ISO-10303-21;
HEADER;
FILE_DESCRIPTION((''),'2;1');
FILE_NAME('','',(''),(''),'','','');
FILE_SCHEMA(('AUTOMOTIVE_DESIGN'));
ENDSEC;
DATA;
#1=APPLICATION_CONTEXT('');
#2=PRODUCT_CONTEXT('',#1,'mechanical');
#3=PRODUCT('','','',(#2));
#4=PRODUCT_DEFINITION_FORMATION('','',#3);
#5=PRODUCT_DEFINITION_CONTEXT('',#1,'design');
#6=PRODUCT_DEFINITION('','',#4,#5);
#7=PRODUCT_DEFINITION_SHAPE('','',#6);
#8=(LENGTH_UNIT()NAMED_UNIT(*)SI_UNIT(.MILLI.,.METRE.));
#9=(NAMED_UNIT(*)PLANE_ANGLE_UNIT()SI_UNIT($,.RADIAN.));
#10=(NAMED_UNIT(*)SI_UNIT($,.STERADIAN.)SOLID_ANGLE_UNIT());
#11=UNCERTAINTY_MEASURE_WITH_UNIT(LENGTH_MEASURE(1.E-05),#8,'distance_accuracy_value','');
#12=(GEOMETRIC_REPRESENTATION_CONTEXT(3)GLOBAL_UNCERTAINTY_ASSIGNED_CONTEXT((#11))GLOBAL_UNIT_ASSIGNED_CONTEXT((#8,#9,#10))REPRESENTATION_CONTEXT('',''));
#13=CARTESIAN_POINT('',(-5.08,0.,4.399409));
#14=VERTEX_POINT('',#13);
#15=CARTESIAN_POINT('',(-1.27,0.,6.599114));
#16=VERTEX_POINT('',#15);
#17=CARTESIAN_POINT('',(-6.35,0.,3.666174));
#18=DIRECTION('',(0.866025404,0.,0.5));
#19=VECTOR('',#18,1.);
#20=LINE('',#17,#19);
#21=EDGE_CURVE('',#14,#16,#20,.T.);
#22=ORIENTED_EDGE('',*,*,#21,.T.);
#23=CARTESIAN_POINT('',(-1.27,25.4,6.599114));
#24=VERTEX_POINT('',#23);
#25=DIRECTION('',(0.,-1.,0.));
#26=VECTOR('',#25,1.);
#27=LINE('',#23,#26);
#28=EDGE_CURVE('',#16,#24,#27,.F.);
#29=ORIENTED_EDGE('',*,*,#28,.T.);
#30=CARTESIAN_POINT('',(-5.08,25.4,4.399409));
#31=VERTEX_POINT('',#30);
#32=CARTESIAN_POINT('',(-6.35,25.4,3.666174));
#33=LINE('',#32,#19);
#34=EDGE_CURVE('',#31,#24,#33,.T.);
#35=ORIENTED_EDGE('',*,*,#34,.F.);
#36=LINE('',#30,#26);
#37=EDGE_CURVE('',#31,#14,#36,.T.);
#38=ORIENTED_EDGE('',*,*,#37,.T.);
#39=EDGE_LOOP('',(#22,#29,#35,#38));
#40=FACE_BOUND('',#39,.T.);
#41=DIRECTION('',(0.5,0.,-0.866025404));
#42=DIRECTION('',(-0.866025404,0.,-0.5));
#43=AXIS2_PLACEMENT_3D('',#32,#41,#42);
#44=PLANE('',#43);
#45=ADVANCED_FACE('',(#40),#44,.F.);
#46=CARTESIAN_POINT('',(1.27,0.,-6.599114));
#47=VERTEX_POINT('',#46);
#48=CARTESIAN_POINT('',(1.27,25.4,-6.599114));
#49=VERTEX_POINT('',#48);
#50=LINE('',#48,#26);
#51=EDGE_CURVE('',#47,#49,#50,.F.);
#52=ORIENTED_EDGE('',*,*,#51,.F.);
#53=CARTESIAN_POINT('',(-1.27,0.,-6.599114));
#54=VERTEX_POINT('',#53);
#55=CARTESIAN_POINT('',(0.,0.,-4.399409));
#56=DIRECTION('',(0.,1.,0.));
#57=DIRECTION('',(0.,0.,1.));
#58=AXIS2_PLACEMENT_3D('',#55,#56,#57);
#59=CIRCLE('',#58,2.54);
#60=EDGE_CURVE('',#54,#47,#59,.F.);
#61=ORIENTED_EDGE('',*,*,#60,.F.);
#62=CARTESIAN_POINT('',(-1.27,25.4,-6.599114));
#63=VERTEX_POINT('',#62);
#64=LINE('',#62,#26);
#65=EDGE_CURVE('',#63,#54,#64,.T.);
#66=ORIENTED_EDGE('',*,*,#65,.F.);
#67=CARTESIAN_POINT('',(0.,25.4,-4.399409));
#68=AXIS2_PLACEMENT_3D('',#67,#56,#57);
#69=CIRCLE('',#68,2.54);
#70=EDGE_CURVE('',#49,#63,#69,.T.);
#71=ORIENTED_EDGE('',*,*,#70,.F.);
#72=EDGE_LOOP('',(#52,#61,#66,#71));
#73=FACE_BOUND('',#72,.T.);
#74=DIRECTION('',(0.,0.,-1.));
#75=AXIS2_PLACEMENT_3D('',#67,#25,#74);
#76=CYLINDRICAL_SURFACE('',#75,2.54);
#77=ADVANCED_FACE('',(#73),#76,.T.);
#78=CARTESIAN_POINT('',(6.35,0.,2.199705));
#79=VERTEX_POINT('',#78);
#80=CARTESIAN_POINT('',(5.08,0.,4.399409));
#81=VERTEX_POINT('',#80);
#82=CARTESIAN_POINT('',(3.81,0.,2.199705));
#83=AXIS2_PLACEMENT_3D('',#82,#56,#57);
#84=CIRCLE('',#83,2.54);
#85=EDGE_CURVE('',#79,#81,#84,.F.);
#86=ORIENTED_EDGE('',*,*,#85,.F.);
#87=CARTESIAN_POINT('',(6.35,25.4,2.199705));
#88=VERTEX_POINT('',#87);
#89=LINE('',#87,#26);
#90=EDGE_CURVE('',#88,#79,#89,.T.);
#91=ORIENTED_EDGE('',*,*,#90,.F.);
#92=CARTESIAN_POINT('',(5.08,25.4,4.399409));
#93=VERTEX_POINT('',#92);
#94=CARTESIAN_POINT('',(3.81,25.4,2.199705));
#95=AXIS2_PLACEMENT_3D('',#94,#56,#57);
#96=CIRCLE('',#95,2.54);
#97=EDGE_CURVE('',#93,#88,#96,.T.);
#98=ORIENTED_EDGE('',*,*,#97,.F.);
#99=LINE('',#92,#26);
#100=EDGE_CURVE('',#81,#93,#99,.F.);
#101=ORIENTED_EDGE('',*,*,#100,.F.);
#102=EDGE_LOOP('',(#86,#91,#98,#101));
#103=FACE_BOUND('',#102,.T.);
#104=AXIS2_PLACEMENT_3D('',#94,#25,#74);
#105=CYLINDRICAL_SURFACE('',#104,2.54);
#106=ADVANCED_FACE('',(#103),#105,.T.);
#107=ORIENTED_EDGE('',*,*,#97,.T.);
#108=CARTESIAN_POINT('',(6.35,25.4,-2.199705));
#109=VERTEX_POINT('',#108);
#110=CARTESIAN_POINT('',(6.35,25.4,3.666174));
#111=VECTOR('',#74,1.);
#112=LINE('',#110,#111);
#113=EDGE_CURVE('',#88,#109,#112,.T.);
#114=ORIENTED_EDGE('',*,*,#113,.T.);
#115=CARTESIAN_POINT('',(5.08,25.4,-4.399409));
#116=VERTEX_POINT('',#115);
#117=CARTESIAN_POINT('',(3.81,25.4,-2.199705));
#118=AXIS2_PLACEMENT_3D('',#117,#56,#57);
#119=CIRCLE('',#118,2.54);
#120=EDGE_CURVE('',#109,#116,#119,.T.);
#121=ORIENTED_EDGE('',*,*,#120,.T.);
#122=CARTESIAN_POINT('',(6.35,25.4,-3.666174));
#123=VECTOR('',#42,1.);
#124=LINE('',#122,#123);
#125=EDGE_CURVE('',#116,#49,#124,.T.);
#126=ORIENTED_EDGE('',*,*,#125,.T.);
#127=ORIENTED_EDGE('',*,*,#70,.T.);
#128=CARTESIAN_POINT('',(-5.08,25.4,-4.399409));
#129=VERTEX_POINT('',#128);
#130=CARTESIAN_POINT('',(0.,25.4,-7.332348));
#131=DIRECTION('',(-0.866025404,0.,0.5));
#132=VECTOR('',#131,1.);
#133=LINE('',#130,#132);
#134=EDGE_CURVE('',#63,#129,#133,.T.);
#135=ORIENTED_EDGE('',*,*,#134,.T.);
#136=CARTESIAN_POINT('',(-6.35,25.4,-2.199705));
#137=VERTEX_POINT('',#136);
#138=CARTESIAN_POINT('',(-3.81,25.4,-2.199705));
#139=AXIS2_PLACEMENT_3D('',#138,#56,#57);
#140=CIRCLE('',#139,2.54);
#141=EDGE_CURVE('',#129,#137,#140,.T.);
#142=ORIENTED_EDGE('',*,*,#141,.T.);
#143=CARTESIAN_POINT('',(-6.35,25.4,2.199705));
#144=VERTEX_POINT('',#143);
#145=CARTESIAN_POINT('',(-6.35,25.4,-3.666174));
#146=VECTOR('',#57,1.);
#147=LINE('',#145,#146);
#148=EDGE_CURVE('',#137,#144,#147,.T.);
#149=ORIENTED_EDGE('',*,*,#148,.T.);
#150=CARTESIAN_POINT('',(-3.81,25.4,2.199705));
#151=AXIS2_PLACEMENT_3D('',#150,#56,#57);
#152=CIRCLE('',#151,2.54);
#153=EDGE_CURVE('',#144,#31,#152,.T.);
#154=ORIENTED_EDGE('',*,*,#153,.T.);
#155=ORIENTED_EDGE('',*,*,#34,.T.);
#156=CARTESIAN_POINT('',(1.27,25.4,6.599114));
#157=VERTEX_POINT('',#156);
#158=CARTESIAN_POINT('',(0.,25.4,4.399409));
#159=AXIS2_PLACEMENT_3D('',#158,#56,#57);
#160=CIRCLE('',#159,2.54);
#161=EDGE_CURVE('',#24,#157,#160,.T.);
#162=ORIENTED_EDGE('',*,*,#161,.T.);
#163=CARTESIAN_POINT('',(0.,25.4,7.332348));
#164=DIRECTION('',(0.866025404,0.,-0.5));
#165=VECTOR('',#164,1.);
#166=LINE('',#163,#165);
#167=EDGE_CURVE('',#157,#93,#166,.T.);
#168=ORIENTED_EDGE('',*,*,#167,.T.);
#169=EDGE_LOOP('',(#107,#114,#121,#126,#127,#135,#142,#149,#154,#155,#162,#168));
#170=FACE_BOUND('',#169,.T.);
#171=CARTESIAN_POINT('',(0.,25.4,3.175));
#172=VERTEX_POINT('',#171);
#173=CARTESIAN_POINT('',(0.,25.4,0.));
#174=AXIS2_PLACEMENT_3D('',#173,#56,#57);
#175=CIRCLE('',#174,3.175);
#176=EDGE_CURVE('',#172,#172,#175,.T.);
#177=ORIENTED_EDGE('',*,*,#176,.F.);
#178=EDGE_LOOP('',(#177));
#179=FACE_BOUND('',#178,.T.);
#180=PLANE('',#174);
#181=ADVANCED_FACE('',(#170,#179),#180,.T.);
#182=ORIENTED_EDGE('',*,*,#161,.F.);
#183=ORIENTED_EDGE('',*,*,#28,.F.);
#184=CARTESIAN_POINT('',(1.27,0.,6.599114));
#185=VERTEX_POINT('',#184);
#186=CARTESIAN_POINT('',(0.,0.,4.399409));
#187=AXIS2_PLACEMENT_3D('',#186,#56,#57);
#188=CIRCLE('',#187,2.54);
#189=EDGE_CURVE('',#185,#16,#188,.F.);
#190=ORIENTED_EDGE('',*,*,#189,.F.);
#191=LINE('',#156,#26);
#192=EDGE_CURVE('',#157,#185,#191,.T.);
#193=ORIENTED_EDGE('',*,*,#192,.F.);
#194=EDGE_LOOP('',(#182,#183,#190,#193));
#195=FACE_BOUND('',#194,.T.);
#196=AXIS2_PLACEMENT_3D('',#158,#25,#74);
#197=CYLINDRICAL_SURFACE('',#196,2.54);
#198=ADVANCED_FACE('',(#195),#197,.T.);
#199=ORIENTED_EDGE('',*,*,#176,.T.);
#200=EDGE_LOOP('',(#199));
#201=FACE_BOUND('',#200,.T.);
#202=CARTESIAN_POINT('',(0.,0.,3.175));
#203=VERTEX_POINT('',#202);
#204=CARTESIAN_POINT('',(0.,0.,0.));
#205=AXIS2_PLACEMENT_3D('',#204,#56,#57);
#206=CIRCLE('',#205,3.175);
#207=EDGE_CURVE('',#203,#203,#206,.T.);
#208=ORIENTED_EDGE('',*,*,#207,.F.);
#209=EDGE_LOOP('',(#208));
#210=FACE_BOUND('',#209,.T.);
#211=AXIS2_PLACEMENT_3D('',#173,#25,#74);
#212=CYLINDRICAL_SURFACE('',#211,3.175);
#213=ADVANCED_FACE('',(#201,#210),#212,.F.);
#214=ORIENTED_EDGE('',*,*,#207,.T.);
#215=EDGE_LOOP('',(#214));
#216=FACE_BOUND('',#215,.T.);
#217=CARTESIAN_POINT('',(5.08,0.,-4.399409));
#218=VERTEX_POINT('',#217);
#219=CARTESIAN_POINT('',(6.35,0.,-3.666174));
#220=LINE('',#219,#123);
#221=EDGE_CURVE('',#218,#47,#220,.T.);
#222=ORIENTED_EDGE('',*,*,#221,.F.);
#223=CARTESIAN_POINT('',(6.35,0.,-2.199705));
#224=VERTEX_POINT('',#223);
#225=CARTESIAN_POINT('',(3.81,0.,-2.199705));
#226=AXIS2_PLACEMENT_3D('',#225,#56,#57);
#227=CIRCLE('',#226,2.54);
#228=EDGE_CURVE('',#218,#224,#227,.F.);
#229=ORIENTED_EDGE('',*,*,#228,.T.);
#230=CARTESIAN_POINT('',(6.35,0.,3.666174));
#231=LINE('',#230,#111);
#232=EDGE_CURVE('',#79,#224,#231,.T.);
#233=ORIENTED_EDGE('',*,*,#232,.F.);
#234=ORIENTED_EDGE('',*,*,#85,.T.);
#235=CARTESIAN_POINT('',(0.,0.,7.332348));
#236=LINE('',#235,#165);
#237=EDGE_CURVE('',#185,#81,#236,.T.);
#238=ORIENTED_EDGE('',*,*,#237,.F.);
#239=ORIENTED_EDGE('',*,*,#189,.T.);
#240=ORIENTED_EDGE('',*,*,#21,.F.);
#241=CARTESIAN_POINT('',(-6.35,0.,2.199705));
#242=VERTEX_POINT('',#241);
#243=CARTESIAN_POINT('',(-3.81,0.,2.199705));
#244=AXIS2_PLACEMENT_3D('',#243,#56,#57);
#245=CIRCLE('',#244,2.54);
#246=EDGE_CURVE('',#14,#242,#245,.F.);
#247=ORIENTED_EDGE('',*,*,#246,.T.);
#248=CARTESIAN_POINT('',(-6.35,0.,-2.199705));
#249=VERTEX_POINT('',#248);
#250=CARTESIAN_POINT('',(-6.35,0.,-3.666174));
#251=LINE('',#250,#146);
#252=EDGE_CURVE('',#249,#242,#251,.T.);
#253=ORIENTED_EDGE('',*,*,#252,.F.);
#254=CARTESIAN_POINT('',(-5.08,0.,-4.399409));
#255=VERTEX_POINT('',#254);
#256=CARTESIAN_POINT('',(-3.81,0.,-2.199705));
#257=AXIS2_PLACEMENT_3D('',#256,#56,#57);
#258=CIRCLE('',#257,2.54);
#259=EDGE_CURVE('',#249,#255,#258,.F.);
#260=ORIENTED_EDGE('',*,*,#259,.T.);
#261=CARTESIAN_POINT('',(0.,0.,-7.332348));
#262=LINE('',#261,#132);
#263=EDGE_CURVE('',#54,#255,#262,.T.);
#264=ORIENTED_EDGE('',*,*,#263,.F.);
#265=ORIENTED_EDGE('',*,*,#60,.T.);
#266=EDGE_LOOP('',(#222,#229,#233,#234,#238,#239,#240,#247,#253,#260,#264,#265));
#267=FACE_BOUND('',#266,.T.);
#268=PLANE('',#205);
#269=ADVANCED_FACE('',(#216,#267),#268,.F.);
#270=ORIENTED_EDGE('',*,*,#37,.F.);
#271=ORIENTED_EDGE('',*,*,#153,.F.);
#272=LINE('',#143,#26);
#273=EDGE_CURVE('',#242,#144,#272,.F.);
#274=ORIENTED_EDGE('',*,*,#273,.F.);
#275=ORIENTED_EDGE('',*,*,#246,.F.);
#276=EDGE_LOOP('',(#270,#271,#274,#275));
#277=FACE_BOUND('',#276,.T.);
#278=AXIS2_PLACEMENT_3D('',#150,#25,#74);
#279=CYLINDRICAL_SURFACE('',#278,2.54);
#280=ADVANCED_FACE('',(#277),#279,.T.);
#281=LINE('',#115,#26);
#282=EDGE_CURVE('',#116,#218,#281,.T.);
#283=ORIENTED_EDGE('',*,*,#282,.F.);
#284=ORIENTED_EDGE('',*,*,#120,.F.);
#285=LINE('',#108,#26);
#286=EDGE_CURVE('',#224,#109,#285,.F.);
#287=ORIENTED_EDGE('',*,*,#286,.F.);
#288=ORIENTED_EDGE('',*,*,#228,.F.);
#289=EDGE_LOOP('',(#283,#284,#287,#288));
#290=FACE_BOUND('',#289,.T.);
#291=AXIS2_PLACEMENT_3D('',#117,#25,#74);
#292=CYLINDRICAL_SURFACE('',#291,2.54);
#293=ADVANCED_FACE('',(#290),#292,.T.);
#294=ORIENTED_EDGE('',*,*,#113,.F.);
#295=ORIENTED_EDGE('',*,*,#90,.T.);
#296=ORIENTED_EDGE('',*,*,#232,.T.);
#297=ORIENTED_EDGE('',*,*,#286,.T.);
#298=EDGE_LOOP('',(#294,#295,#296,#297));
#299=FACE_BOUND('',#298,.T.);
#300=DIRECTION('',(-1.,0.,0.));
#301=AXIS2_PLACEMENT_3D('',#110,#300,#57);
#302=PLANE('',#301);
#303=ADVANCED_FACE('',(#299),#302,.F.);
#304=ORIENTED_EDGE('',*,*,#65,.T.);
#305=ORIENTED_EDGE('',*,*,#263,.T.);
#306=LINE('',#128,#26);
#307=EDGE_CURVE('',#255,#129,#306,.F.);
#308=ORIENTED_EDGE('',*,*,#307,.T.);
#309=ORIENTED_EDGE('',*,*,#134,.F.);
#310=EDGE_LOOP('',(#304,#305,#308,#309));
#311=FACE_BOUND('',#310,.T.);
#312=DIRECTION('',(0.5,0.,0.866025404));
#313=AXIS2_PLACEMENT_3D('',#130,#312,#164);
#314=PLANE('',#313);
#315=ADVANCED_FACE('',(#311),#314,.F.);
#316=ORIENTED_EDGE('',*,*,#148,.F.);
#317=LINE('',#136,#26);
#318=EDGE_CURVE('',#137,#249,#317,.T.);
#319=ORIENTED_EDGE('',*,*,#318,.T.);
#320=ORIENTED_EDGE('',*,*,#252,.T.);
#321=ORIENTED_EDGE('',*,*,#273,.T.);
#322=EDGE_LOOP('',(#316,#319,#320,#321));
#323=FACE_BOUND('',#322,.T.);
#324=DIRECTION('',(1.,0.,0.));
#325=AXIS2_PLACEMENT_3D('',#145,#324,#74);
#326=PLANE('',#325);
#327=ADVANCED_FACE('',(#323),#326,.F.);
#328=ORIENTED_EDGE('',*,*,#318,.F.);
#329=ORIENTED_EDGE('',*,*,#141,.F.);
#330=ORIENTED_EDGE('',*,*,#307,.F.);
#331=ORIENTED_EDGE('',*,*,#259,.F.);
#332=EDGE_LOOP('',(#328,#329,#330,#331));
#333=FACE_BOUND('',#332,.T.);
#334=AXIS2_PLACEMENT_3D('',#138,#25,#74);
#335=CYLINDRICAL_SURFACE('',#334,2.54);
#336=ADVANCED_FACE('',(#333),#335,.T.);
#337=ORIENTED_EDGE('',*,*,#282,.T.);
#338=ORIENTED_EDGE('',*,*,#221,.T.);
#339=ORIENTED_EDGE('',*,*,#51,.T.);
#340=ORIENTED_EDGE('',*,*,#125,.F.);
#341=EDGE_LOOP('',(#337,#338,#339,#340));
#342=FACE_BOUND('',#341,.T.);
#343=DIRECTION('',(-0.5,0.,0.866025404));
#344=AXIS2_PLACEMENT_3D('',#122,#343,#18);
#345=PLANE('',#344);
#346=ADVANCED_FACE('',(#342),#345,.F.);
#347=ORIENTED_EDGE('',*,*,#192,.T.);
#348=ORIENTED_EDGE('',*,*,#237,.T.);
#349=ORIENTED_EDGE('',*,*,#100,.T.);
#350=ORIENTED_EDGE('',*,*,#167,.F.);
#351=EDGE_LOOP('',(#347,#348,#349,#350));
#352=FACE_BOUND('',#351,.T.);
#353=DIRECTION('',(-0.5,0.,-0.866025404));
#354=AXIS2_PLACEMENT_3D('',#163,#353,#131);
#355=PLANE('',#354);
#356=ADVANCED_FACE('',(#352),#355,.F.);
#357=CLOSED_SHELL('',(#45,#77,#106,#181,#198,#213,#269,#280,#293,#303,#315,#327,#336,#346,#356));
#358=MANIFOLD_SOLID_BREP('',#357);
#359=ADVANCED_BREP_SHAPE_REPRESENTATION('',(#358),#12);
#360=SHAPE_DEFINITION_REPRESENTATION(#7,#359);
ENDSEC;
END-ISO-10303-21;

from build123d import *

# Parameters (mm, degrees)
SKETCH1_R           = 3.175
BOSS_EXTRUDE1_DEPTH = 25.4
FILLET1_R           = 2.54


with BuildPart() as part:
    # Sketch1 → Boss-Extrude1 (new body)
    with BuildSketch(Plane(origin=(0, 0, 0), x_dir=(1, 0, 0), z_dir=(0, 1, 0))):
        Polygon((6.35, -3.666174209), (6.35, 3.666174209), (0, 7.332348419), (-6.35, 3.666174209), (-6.35, -3.666174209), (0, -7.332348419), align=None)
        Circle(SKETCH1_R, mode=Mode.SUBTRACT)
    extrude(amount=BOSS_EXTRUDE1_DEPTH)

    # Fillet1
    fillet1_edges = [part.edges().sort_by_distance(p)[0] for p in [
        (0, 12.7, 7.332348419),
        (-6.35, 12.7, 3.666174209),
        (-6.35, 12.7, -3.666174209),
        (0, 12.7, -7.332348419),
        (6.35, 12.7, -3.666174209),
        (6.35, 12.7, 3.666174209),
    ]]
    fillet(fillet1_edges, radius=FILLET1_R)


solid = part.part
